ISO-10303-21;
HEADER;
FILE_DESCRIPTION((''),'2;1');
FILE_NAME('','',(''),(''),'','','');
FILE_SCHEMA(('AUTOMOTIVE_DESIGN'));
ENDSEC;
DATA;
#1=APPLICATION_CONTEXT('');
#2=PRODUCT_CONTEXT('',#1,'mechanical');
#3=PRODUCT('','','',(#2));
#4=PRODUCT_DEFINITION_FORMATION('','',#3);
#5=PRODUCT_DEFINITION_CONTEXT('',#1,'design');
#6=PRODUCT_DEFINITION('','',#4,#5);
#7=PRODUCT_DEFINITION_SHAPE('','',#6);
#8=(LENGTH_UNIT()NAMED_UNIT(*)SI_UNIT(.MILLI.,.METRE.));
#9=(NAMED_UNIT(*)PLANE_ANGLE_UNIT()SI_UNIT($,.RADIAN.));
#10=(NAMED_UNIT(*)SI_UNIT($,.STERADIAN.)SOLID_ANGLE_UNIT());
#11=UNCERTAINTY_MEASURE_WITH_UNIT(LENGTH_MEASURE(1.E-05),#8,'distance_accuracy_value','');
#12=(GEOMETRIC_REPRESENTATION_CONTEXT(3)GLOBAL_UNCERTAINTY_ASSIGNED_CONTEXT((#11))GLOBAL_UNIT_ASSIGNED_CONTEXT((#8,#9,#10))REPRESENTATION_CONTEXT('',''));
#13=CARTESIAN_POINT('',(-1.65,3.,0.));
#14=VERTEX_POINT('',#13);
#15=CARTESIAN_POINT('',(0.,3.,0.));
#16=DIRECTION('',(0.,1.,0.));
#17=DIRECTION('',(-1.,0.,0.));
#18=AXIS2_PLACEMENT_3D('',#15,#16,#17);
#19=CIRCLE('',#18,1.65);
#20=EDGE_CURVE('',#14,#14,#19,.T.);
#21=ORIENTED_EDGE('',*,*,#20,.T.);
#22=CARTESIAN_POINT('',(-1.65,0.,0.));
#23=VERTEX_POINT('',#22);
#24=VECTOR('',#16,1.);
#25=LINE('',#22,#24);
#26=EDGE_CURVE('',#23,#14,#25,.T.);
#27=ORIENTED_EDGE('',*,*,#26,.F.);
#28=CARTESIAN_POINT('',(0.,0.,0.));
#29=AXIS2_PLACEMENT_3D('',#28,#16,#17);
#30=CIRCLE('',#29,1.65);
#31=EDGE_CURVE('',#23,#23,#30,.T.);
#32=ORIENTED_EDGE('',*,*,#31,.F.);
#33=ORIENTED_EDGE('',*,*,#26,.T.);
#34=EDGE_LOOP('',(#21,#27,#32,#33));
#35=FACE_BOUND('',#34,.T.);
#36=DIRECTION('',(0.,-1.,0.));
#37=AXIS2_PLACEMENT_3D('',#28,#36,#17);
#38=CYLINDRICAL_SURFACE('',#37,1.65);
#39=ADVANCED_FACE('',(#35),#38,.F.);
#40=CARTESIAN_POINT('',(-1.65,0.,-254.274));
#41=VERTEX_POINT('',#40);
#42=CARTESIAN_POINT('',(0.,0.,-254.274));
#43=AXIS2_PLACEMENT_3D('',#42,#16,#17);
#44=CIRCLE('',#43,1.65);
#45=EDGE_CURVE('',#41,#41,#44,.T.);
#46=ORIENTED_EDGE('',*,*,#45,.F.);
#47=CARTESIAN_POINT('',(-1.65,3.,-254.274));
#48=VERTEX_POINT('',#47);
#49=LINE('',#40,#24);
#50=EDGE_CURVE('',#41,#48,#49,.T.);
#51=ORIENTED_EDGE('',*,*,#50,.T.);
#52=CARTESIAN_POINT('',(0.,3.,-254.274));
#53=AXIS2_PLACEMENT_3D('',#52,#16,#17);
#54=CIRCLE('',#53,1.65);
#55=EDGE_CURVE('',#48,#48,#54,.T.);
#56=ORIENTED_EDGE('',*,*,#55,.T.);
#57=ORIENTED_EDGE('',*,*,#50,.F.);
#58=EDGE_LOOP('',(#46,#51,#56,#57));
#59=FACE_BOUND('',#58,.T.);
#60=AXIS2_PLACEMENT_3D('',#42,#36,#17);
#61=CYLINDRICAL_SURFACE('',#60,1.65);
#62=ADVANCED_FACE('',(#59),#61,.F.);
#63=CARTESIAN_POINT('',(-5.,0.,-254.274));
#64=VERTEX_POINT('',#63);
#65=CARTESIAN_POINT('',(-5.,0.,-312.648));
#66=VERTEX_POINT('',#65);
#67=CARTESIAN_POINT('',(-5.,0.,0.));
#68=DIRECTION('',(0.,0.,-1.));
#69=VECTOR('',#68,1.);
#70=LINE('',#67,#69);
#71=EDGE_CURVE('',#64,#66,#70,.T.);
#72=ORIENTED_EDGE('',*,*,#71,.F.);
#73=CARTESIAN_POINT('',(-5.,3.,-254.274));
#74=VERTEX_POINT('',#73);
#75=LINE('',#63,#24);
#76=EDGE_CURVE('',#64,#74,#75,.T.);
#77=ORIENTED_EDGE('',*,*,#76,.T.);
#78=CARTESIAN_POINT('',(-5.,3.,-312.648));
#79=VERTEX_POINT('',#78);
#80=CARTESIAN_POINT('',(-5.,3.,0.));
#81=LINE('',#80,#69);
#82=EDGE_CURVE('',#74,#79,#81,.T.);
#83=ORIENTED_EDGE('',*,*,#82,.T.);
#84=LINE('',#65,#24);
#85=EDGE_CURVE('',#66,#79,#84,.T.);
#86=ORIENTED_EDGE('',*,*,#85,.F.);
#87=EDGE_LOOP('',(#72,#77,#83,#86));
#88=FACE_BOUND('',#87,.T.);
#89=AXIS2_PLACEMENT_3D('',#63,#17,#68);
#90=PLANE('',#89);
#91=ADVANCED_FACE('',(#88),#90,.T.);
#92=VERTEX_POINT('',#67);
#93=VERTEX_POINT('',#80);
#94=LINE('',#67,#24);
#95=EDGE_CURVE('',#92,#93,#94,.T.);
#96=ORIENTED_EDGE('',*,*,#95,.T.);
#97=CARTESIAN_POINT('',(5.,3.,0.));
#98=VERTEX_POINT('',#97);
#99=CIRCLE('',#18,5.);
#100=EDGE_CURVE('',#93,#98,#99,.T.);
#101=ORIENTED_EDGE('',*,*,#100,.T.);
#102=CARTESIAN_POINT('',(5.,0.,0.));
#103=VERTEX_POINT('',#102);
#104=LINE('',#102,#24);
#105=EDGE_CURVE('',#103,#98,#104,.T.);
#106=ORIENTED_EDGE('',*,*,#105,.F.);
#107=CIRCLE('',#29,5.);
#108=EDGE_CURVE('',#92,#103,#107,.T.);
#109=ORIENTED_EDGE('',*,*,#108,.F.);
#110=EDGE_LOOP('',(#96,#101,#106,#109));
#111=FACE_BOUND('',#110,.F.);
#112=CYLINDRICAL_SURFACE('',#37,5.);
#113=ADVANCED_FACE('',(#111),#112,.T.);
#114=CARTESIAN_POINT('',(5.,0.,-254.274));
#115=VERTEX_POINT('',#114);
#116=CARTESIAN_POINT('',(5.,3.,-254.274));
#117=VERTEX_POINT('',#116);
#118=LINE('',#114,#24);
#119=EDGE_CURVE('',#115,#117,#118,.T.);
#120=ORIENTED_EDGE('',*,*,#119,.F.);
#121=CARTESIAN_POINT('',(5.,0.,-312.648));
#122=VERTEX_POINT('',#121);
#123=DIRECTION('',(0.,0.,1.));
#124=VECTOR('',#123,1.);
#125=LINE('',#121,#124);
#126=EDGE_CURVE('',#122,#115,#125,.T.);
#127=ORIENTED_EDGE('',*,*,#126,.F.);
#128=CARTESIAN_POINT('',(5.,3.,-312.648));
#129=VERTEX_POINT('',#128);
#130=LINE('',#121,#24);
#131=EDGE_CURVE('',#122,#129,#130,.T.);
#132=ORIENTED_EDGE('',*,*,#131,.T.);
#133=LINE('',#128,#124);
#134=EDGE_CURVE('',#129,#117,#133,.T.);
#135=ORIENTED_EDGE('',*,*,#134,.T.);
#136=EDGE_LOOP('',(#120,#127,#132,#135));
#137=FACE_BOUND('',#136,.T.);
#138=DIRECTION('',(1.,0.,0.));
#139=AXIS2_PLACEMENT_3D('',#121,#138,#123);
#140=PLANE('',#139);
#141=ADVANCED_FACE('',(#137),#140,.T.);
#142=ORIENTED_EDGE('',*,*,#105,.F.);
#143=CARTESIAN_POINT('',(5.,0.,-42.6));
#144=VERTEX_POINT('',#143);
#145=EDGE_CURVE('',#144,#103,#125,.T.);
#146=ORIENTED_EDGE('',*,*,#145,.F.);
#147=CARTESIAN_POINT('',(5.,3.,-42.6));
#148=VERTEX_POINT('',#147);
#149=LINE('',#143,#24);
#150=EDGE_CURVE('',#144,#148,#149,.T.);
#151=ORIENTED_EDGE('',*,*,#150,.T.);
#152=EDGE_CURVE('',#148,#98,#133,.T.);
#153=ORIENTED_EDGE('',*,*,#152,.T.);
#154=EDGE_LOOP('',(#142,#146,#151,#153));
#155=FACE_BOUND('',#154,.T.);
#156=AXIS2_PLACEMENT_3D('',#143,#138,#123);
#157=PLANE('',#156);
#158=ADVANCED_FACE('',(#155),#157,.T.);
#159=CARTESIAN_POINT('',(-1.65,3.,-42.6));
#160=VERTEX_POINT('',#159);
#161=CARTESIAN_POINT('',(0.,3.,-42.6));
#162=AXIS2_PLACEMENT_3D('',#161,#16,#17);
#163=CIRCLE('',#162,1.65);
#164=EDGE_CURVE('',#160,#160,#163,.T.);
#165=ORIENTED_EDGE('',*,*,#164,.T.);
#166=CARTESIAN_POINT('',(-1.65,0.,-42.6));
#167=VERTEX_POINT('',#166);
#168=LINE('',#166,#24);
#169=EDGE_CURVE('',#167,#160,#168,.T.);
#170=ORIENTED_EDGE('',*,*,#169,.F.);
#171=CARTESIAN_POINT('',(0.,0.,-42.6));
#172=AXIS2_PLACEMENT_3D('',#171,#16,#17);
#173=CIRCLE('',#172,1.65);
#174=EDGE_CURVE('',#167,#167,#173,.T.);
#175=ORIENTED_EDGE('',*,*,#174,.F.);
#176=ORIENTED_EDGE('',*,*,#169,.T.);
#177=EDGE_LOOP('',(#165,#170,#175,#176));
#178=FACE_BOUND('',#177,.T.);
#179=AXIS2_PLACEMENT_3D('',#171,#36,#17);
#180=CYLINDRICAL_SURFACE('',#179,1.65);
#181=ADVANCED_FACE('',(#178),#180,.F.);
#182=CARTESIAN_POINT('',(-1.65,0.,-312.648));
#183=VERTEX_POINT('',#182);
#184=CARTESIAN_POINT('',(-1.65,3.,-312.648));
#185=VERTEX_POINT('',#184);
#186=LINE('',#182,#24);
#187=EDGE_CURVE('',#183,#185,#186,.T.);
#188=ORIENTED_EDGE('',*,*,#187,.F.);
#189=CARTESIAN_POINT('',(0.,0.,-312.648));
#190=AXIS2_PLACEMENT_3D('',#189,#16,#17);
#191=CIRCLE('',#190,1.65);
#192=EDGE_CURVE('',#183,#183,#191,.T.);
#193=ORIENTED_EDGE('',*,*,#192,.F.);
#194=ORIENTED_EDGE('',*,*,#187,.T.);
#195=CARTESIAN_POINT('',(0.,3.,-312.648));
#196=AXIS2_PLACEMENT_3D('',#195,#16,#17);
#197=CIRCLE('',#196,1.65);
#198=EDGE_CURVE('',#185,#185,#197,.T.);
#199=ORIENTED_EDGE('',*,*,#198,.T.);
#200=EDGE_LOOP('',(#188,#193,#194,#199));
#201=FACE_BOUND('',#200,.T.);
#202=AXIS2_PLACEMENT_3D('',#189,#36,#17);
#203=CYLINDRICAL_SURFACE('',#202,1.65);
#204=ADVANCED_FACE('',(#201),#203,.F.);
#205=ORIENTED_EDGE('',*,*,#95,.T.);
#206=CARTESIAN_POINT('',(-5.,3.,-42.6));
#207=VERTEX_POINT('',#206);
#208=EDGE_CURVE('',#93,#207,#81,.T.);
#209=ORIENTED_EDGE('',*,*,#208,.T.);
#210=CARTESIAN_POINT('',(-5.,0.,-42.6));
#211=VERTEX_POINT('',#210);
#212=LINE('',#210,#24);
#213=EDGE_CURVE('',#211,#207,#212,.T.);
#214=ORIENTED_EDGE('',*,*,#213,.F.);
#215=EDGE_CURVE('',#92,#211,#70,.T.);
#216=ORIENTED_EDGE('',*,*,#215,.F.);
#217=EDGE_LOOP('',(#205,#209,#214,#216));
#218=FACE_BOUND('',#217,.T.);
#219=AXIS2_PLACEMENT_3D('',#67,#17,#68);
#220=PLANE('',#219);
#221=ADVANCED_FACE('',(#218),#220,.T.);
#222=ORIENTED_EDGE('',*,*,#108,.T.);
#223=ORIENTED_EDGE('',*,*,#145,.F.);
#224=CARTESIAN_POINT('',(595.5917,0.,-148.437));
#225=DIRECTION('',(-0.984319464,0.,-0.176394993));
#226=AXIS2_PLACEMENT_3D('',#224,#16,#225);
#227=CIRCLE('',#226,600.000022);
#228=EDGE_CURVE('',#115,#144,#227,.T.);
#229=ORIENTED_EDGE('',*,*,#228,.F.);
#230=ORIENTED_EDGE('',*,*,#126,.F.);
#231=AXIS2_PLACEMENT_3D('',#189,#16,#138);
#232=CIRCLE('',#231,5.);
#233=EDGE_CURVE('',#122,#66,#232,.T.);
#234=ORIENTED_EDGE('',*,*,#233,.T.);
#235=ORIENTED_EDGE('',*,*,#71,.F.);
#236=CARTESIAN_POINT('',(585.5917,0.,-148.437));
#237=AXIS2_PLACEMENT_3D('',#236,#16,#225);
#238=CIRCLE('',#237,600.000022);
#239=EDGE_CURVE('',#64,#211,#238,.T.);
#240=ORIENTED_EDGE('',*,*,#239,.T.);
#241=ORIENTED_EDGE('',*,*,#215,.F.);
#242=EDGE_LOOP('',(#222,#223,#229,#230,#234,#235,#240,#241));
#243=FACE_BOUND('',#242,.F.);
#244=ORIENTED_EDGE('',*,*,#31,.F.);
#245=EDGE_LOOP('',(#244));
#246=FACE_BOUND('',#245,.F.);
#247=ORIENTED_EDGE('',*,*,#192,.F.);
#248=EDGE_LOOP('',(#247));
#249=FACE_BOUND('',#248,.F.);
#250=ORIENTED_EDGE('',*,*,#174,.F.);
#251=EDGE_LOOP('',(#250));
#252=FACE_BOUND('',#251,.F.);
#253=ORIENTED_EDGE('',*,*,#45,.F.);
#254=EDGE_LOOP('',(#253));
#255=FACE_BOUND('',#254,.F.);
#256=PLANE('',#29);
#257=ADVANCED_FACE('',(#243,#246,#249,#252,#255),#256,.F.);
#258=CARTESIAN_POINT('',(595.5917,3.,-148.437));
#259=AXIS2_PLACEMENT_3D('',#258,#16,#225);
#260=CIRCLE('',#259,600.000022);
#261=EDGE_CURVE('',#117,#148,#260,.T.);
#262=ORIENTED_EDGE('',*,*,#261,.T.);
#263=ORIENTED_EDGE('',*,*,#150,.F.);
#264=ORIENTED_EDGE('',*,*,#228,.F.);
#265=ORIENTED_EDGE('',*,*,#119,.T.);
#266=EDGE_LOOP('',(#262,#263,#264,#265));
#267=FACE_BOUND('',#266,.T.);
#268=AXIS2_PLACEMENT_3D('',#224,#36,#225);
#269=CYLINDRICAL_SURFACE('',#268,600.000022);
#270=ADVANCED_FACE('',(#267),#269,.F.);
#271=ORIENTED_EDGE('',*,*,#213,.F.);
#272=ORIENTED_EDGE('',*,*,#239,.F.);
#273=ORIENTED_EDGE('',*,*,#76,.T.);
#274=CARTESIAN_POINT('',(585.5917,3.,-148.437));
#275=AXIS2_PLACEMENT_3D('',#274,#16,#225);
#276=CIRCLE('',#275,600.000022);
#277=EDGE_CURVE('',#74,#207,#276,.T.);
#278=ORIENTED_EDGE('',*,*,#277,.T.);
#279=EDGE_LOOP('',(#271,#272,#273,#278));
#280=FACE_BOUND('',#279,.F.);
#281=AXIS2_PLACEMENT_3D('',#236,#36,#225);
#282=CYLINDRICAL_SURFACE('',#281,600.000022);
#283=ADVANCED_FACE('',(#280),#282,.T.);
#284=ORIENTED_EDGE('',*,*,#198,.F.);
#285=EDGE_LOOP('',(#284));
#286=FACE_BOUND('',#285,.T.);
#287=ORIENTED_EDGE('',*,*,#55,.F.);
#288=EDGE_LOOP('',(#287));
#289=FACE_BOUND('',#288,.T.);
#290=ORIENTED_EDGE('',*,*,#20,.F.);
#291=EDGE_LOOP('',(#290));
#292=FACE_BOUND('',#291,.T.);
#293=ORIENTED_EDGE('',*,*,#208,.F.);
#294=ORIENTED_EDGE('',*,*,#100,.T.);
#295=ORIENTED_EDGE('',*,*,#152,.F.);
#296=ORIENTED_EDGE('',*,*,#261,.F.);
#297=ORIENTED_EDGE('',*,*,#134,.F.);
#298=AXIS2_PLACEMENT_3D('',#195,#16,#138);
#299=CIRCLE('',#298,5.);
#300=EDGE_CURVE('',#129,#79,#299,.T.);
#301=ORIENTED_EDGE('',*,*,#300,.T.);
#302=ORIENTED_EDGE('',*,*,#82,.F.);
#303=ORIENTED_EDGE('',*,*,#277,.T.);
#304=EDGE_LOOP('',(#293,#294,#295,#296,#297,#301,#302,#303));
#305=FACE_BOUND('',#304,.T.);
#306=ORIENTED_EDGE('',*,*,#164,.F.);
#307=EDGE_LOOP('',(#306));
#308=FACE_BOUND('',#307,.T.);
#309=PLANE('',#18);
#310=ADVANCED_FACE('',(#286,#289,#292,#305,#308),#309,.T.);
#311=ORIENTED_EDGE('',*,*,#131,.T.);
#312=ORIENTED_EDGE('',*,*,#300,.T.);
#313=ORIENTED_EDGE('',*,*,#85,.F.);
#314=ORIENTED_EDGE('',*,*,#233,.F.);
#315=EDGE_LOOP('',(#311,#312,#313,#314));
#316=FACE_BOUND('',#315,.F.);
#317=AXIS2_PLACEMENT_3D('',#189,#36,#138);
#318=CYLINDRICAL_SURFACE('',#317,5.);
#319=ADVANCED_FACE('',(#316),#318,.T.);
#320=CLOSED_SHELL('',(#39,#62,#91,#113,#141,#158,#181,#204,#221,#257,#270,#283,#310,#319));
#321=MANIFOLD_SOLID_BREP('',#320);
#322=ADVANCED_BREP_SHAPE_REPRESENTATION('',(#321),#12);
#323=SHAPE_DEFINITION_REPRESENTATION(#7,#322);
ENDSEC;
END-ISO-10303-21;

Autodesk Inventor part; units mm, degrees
ref_plane "YZ Plane" through (0, 0, 0) normal (1, 0, 0) x (0, 1, 0)
ref_plane "XZ Plane" through (0, 0, 0) normal (0, 1, 0) x (-1, 0, 0)
ref_plane "XY Plane" through (0, 0, 0) normal (0, 0, 1) x (1, 0, 0)
sketch "Sketch1" plane through (0, 0, 0) normal (0, 1, 0) x (-1, 0, 0)
  line L0 (0, 0) -> (0, -312.648) construction
  line L1 (5, 0) -> (5, -312.648)
  line L2 (-5, -312.648) -> (-5, 0)
  arc A0 (5, 0) -> (-5, 0) centre (0, 0) ccw
  arc A1 (-5, -312.648) -> (5, -312.648) centre (0, -312.648) ccw
  circle A2 centre (0, 0) radius 1.65
  circle A3 centre (0, -312.648) radius 1.65
  circle A4 centre (0, -42.6) radius 1.65
  circle A5 centre (0, -254.274) radius 1.65
  arc A6 (5, -254.274) -> (5, -42.6) centre (-585.5917, -148.437) ccw
  arc A7 (-5, -254.274) -> (-5, -42.6) centre (-595.5917, -148.437) ccw
  point P0 (0, -156.324)
  dimension "d0" = 3.3
  dimension "d1" = 3.3
  dimension "d2" = 10
  dimension "d3" = 312.648
  dimension "d10" = 3.3
  dimension "d11" = 42.6
  dimension "d12" = 3.3
  dimension "d13" = 254.274
  dimension "d16" = 600
  dimension "d17" = 600
extrude "Extrusion1" add sketch "Sketch1" along normal blind 3 contours L1 A1 L2 A7 A0 | A6 L1
